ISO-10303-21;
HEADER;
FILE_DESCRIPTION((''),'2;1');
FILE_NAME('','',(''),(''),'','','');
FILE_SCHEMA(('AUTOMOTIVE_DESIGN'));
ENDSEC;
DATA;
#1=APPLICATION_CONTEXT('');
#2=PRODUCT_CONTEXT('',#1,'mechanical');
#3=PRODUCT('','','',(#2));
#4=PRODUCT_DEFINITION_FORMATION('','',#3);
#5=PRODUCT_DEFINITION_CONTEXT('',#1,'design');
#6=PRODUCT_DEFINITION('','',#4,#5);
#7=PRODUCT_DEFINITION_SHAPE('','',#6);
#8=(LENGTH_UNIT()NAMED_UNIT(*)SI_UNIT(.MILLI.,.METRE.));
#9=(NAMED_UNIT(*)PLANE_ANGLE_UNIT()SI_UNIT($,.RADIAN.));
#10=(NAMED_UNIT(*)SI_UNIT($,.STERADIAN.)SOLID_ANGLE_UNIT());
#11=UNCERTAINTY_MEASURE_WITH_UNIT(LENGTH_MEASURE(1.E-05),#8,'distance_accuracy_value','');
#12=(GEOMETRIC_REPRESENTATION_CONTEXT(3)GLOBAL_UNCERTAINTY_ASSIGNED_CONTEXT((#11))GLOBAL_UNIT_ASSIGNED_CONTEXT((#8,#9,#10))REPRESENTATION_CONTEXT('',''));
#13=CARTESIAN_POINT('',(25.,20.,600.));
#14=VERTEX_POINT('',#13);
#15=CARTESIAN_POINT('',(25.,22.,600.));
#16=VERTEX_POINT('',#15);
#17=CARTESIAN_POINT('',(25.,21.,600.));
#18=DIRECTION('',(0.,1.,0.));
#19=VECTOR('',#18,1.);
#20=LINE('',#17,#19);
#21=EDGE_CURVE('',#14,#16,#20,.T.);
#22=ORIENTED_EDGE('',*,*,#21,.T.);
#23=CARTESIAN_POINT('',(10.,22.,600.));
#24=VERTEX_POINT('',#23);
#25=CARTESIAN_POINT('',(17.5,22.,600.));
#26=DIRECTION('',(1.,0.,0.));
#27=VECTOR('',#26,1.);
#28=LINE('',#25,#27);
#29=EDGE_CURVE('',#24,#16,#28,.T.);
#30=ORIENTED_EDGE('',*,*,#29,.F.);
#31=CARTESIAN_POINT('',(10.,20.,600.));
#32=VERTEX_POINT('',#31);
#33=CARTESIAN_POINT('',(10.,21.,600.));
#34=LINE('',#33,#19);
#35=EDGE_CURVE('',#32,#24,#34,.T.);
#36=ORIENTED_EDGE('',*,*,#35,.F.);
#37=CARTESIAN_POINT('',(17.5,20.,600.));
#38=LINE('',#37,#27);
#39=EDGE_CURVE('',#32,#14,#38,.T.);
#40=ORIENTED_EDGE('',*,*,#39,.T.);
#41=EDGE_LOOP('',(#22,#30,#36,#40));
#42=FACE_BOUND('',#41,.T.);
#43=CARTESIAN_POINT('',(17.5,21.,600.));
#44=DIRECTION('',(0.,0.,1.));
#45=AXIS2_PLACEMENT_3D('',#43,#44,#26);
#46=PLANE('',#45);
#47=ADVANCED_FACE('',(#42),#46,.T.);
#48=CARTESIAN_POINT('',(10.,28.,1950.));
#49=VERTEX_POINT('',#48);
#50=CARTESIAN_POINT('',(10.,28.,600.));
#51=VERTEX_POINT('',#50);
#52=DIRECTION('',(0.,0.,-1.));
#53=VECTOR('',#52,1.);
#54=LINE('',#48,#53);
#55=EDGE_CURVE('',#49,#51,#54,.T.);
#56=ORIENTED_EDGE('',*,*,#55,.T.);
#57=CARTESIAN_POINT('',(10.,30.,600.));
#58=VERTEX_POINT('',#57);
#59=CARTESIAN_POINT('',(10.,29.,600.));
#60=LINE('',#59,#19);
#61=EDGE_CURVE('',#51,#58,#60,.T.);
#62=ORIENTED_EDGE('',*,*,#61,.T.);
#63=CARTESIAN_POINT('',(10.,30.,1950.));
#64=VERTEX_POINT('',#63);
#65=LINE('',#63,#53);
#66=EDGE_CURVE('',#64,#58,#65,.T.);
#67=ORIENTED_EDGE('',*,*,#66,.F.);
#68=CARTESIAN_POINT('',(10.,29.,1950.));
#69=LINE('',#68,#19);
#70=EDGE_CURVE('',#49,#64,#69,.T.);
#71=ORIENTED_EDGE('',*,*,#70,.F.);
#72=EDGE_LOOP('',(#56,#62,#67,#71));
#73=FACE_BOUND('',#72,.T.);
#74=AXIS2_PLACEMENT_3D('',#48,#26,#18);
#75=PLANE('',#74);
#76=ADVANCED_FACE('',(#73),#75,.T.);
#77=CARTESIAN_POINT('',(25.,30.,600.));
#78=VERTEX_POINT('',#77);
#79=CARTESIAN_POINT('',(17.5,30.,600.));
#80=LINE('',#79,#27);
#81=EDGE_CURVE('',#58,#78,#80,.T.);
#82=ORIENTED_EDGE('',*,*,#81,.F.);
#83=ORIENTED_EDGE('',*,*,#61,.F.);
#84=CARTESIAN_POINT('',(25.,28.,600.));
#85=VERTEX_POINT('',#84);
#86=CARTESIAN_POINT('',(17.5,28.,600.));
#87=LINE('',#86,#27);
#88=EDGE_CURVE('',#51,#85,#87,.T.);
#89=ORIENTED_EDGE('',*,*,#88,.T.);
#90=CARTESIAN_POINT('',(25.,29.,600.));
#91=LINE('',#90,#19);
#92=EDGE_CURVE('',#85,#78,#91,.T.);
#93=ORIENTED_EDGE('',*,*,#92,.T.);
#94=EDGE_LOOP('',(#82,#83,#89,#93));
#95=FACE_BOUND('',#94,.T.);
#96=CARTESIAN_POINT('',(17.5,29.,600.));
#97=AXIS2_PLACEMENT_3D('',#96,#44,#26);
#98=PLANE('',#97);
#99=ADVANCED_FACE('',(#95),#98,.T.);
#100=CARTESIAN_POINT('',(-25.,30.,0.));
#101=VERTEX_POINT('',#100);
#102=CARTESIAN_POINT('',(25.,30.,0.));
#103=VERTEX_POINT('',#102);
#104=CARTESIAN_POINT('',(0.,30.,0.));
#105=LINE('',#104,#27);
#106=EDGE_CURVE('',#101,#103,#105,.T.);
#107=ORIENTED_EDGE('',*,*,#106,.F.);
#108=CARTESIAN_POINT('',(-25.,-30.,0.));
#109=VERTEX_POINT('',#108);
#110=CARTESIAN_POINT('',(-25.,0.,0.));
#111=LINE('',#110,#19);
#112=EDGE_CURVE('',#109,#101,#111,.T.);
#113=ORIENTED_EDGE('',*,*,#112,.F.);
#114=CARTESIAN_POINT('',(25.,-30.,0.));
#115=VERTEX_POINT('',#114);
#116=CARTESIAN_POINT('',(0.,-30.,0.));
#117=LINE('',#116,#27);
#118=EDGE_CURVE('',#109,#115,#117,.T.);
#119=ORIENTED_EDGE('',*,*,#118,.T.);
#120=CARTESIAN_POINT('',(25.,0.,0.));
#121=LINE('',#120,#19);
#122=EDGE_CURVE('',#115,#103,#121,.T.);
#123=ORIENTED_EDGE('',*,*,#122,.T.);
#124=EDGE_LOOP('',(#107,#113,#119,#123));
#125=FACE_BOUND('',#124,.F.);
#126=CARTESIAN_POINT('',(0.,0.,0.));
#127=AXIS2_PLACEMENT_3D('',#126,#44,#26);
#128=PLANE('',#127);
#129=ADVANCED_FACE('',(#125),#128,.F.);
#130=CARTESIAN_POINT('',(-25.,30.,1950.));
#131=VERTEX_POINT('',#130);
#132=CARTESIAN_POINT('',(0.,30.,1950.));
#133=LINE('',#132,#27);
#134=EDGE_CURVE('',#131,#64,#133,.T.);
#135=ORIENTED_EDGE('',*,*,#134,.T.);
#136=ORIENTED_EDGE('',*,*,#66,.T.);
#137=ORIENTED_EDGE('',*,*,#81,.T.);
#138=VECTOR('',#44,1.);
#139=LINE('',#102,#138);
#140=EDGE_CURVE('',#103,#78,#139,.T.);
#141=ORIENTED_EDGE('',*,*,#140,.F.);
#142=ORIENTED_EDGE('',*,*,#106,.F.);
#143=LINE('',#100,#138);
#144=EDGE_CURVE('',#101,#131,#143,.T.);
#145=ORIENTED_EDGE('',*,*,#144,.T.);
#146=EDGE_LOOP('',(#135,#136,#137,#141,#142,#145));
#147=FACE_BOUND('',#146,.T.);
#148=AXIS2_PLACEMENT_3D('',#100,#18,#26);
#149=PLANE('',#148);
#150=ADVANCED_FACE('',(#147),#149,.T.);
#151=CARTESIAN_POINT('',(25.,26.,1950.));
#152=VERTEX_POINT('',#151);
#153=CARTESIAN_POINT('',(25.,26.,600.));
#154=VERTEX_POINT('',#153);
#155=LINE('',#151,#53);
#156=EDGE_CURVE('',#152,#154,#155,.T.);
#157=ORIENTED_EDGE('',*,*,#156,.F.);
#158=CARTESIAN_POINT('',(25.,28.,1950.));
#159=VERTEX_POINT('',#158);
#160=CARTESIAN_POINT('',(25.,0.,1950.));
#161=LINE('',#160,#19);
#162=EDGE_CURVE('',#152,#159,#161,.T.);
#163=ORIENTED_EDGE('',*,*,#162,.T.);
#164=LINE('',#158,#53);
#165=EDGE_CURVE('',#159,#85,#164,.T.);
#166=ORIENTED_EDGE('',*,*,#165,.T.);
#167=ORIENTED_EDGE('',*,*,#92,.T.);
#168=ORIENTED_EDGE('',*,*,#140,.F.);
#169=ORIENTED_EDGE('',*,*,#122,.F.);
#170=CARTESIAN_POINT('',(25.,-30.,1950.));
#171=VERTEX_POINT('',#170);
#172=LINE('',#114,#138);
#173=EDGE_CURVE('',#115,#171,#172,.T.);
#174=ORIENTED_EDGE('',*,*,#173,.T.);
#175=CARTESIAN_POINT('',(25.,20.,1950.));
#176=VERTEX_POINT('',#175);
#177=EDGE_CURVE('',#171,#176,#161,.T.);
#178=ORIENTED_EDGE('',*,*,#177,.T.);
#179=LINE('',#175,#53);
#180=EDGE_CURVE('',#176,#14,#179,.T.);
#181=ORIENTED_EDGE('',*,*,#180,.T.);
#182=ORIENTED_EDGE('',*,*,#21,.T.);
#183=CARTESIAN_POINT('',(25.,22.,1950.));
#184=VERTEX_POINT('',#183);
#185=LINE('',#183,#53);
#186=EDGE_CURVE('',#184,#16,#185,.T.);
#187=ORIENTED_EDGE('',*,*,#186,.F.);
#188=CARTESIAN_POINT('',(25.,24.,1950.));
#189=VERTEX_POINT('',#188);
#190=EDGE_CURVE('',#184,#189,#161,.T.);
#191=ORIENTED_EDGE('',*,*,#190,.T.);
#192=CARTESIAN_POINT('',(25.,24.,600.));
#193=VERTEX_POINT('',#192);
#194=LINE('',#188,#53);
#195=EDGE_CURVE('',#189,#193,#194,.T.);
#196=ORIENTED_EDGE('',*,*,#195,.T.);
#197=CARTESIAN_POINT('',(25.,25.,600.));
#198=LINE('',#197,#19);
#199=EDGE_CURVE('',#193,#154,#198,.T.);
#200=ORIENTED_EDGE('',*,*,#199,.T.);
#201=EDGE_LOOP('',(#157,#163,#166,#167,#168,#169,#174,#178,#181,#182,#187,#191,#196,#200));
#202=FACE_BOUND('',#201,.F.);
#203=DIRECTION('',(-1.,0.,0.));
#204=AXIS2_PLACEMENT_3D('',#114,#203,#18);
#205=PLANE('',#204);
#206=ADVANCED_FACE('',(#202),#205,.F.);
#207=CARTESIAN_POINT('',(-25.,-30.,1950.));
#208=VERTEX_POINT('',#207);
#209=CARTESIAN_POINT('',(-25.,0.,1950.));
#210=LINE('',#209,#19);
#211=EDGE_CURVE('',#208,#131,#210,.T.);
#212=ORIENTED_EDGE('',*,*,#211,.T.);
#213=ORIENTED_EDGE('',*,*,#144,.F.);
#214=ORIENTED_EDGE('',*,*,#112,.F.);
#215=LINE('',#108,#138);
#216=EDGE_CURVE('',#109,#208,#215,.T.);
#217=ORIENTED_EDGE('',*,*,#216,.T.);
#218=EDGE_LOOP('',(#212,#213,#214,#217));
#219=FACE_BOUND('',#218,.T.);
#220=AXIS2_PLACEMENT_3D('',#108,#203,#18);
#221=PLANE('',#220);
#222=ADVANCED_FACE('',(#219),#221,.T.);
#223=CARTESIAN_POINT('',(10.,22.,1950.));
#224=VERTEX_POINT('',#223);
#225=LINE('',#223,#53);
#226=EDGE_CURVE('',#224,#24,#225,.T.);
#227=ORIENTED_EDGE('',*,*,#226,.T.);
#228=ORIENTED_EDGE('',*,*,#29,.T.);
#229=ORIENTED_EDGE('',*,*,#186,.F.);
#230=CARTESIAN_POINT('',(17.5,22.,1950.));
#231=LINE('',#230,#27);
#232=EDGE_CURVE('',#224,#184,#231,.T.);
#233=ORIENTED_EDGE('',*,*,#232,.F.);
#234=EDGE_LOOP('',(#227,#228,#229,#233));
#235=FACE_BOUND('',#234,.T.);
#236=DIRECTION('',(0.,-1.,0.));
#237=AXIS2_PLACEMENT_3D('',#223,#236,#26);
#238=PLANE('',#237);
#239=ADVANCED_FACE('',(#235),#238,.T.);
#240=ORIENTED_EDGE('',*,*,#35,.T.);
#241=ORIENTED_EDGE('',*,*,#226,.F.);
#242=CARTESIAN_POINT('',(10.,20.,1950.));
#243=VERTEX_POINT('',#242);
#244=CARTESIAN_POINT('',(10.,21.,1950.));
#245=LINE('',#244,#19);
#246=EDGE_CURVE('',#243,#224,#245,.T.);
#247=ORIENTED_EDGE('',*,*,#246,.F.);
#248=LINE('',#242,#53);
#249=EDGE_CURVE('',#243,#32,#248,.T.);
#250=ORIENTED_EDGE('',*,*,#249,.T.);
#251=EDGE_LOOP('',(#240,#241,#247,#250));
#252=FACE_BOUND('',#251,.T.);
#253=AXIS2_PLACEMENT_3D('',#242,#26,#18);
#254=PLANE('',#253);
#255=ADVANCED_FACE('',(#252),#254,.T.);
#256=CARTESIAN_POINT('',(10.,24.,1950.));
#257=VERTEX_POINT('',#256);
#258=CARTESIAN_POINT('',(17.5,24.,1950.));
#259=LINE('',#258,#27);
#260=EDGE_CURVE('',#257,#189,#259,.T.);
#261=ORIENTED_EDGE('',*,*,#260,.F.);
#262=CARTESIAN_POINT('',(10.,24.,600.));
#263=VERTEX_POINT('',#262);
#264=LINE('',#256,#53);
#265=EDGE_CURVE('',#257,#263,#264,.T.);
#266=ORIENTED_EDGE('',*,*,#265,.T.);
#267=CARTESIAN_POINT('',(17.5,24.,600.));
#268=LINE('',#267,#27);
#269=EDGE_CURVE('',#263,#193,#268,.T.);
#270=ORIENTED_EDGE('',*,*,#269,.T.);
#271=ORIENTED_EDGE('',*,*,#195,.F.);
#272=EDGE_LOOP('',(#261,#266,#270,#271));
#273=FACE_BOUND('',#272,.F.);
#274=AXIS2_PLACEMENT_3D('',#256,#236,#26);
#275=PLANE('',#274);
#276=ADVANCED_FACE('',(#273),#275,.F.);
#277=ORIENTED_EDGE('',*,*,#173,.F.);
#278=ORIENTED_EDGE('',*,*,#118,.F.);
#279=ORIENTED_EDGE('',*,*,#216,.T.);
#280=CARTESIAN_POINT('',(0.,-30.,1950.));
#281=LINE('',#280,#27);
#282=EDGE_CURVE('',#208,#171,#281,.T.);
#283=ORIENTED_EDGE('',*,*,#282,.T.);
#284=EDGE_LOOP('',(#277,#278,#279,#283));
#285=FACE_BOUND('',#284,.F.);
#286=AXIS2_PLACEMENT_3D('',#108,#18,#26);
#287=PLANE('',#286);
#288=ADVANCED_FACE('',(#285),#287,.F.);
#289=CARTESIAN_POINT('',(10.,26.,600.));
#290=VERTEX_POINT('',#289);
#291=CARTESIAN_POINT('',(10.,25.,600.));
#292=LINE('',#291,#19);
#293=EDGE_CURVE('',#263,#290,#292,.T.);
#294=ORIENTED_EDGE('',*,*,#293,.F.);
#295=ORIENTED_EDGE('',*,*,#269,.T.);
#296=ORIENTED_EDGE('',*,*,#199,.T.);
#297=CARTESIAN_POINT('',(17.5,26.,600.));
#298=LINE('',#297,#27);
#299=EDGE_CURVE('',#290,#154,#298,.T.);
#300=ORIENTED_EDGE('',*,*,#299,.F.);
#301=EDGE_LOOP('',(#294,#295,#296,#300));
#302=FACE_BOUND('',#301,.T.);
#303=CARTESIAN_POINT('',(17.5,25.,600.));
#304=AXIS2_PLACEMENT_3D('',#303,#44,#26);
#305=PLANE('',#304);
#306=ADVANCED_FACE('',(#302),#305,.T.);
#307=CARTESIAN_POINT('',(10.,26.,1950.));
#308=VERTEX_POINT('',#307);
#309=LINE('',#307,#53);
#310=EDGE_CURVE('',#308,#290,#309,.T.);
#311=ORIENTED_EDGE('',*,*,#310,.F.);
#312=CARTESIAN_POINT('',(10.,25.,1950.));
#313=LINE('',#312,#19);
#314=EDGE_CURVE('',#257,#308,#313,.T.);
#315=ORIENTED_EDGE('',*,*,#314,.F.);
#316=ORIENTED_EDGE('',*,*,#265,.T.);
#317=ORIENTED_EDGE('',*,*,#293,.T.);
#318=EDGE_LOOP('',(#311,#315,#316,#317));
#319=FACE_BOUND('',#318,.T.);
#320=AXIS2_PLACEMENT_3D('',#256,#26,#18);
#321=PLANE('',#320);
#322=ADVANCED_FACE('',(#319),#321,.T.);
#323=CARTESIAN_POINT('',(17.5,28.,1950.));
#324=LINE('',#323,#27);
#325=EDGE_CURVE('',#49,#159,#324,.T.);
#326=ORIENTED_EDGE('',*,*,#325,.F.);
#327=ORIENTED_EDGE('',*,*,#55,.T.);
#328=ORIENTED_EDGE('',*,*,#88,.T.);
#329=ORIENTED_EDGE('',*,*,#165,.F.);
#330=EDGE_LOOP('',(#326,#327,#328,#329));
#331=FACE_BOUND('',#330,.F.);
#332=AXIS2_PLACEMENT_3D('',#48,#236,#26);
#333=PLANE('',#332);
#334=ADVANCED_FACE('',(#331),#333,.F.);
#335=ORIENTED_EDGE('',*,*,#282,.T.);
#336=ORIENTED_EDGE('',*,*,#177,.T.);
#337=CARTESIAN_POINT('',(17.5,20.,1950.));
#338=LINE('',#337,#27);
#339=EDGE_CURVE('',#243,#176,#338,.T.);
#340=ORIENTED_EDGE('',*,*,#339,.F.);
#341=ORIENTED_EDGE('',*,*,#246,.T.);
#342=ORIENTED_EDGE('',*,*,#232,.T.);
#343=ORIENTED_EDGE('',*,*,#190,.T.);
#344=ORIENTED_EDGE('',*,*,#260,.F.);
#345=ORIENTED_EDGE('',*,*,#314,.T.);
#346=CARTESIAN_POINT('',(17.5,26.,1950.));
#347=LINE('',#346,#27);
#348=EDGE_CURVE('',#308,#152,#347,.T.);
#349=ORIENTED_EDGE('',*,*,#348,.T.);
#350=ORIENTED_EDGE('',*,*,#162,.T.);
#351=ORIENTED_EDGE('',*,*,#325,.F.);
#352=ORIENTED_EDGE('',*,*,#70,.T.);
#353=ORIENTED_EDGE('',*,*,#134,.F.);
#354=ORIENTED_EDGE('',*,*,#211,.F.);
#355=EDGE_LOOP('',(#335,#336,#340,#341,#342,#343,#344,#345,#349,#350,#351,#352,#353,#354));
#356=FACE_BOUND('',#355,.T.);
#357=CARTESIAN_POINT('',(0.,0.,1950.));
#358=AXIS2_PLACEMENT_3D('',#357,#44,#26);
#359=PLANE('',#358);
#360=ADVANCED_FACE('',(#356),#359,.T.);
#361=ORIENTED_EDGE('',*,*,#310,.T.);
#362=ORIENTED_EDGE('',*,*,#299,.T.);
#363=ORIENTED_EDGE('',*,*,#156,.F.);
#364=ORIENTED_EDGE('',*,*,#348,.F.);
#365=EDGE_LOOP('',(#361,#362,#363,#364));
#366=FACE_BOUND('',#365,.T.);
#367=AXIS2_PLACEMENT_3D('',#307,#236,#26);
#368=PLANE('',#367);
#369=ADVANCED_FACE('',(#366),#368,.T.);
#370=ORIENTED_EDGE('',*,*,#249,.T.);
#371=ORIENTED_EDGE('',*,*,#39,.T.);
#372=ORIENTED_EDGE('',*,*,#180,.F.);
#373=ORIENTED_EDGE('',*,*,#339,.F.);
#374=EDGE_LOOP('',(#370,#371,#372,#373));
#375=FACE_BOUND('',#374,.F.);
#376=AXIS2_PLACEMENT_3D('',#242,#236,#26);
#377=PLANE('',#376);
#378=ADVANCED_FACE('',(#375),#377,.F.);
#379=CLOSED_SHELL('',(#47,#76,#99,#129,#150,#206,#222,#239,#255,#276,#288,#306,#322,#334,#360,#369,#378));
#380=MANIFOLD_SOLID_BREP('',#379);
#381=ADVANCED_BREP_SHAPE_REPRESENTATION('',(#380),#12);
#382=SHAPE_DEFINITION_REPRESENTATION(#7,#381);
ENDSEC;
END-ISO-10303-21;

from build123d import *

# Parameters (mm, degrees)
F0_W     = 50
F0_H     = 60
F1_DEPTH = 1950
F2_W     = 15
F2_H     = 2
F3_DEPTH = 1350


with BuildPart() as f1:
    # F0 (on Top) → F1 (new body)
    with BuildSketch(Plane.XY):
        Rectangle(F0_W, F0_H)
    extrude(amount=F1_DEPTH)

    # F2 (on face) → F3 (cut)
    with BuildSketch(Plane.XY.offset(1950)):
        with Locations((17.5, 29)):
            Rectangle(F2_W, F2_H)
        with Locations((17.5, 25)):
            Rectangle(F2_W, F2_H)
        with Locations((17.5, 21)):
            Rectangle(F2_W, F2_H)
    extrude(amount=-F3_DEPTH, mode=Mode.SUBTRACT)


solid = f1.part
